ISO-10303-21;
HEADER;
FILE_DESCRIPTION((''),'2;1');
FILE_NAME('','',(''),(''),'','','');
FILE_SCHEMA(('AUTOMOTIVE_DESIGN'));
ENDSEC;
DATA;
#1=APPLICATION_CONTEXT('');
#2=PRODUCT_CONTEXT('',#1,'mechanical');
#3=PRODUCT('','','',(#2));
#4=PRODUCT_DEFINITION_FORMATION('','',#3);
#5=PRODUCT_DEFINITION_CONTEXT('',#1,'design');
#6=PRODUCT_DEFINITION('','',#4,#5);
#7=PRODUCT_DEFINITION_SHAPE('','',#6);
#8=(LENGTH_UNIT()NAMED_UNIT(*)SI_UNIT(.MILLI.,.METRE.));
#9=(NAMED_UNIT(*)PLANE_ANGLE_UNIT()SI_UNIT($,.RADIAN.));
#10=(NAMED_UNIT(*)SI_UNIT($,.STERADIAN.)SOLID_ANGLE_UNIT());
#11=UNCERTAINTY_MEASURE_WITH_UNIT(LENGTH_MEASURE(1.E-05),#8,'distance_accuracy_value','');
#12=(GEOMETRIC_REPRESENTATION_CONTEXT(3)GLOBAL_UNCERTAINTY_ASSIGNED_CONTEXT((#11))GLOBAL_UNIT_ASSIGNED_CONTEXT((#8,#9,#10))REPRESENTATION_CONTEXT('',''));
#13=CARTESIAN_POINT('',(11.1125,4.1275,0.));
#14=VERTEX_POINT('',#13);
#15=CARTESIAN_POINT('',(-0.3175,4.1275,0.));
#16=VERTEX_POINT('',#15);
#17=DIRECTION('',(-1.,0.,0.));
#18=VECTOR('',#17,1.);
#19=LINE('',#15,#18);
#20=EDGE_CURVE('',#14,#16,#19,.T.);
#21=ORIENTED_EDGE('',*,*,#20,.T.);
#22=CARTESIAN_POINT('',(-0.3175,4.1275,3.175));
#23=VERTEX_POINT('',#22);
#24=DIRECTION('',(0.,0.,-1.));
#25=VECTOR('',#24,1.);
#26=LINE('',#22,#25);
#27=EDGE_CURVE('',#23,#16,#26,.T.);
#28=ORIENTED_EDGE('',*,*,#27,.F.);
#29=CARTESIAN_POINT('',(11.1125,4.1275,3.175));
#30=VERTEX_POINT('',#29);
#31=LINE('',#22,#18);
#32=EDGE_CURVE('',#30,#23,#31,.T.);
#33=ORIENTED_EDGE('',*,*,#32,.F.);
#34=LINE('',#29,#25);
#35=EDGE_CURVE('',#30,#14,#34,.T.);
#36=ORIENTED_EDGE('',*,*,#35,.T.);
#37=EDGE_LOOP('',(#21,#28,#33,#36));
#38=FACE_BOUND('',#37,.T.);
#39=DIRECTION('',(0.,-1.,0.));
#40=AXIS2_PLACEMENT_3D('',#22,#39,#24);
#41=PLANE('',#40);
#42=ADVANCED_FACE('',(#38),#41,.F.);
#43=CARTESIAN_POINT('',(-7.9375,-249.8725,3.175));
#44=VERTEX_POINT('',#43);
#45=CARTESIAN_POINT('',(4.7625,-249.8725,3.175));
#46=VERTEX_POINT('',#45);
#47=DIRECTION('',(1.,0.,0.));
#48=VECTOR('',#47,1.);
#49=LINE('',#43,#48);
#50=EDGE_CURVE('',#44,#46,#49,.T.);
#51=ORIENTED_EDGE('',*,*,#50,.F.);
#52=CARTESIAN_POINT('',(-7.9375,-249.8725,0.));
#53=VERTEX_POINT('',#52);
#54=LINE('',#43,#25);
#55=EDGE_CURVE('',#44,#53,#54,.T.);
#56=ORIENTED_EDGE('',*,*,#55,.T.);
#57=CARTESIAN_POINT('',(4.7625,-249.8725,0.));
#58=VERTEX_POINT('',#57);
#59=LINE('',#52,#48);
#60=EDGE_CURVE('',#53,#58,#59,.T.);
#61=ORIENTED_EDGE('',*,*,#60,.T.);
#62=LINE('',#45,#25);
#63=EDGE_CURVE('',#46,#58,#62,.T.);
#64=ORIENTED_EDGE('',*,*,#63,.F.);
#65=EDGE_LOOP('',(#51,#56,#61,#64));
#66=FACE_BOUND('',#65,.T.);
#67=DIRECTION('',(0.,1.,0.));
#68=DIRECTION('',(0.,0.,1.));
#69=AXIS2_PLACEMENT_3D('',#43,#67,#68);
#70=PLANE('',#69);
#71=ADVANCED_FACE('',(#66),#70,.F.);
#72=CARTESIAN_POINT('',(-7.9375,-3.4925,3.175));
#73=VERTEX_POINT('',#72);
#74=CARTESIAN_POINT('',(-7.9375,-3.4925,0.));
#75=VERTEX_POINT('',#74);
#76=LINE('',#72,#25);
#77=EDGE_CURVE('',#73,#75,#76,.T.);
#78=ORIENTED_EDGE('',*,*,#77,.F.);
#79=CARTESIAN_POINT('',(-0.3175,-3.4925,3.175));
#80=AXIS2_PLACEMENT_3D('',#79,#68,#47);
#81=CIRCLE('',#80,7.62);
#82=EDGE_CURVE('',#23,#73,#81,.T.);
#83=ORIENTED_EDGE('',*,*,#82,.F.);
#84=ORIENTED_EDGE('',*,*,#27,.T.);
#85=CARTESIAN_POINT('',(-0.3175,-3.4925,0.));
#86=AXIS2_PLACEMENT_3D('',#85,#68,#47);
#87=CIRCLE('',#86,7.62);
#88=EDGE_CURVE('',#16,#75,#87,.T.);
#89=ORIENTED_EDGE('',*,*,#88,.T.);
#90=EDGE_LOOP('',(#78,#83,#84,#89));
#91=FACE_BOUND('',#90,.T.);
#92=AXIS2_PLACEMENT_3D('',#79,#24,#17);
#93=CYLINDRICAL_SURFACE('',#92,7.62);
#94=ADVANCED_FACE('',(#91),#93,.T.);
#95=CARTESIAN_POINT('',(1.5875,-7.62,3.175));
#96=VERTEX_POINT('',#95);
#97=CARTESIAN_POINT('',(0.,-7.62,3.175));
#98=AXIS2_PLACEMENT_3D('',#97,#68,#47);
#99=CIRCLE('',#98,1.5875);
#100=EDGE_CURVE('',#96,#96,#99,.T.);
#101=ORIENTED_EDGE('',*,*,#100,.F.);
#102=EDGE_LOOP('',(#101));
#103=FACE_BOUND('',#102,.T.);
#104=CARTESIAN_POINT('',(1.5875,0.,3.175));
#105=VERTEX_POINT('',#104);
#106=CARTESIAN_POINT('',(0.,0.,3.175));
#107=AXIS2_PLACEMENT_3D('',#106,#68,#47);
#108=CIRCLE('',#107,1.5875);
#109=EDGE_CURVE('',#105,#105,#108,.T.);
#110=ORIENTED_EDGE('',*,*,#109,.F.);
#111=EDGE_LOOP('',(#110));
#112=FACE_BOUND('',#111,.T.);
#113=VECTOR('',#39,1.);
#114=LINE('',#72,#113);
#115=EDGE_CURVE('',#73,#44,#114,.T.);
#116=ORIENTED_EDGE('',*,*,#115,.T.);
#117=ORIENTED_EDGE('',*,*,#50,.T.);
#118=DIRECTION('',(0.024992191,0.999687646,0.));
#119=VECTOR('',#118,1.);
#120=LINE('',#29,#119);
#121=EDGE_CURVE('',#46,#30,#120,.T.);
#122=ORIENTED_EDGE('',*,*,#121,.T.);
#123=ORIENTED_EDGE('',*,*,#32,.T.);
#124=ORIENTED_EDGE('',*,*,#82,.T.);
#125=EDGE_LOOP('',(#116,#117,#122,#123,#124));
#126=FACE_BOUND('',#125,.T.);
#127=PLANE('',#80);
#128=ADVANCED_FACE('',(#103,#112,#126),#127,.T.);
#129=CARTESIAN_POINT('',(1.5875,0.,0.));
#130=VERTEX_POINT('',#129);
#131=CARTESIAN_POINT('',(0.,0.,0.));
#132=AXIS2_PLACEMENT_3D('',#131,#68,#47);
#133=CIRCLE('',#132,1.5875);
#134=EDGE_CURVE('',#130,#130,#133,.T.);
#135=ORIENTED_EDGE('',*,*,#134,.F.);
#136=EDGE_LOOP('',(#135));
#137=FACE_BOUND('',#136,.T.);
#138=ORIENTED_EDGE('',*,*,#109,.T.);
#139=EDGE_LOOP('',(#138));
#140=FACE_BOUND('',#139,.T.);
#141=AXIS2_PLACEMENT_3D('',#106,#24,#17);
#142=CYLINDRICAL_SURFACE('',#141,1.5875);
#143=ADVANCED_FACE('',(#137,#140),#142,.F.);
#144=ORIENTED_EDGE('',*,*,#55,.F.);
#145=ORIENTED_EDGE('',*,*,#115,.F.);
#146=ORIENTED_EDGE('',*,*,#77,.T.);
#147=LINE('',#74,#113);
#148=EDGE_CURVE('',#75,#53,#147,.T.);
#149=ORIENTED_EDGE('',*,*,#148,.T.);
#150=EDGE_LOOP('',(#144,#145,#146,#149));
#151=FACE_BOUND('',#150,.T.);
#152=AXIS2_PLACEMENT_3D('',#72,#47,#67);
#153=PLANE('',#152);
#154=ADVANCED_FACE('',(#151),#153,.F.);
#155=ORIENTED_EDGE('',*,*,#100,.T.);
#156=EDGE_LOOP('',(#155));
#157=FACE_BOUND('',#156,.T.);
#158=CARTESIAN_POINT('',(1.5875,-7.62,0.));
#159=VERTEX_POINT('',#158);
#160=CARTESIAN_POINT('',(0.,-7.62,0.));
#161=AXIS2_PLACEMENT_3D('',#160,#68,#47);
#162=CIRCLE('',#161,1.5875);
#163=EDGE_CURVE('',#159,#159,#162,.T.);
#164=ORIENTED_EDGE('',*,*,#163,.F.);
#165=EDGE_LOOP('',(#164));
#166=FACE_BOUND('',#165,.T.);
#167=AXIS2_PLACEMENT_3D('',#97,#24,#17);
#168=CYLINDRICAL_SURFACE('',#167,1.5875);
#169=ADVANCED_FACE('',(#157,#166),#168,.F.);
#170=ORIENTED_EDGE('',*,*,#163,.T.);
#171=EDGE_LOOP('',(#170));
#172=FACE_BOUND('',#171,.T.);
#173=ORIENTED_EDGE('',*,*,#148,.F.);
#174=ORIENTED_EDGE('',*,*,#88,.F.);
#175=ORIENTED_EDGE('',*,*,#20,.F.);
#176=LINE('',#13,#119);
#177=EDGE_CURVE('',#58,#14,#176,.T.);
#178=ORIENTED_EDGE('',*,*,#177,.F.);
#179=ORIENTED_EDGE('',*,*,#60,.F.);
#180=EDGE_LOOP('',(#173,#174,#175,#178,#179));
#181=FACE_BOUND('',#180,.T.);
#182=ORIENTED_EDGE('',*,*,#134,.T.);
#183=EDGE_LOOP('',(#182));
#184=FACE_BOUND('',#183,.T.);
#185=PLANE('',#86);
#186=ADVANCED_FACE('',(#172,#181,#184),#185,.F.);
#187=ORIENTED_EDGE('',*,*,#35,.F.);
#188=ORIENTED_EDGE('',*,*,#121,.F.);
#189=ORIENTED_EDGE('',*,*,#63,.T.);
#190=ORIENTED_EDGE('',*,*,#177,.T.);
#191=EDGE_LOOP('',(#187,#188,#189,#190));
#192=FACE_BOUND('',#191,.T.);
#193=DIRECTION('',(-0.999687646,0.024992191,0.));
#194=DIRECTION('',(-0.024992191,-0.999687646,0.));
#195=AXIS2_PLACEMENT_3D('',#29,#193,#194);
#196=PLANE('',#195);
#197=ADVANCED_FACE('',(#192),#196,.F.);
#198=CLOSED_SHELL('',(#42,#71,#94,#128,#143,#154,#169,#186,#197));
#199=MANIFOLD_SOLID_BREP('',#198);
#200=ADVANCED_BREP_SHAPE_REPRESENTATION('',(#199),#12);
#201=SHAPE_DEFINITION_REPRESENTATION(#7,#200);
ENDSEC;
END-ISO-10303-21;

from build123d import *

# Parameters (mm, degrees)
SKETCH1_R           = 1.5875
BOSS_EXTRUDE1_DEPTH = 3.175


with BuildPart() as part:
    # Sketch1 → Boss-Extrude1 (new body)
    with BuildSketch(Plane.XY):
        with BuildLine():
            Line((-0.3175, 4.1275), (11.1125, 4.1275))
            Line((11.1125, 4.1275), (4.7625, -249.8725))
            Line((4.7625, -249.8725), (-7.9375, -249.8725))
            Line((-7.9375, -249.8725), (-7.9375, -3.4925))
            ThreePointArc((-7.9375, -3.4925), (-5.705653673, 1.895653673), (-0.3175, 4.1275))
        make_face()
        Circle(SKETCH1_R, mode=Mode.SUBTRACT)
        with Locations((0, -7.62)):
            Circle(SKETCH1_R, mode=Mode.SUBTRACT)
    extrude(amount=BOSS_EXTRUDE1_DEPTH)


solid = part.part
